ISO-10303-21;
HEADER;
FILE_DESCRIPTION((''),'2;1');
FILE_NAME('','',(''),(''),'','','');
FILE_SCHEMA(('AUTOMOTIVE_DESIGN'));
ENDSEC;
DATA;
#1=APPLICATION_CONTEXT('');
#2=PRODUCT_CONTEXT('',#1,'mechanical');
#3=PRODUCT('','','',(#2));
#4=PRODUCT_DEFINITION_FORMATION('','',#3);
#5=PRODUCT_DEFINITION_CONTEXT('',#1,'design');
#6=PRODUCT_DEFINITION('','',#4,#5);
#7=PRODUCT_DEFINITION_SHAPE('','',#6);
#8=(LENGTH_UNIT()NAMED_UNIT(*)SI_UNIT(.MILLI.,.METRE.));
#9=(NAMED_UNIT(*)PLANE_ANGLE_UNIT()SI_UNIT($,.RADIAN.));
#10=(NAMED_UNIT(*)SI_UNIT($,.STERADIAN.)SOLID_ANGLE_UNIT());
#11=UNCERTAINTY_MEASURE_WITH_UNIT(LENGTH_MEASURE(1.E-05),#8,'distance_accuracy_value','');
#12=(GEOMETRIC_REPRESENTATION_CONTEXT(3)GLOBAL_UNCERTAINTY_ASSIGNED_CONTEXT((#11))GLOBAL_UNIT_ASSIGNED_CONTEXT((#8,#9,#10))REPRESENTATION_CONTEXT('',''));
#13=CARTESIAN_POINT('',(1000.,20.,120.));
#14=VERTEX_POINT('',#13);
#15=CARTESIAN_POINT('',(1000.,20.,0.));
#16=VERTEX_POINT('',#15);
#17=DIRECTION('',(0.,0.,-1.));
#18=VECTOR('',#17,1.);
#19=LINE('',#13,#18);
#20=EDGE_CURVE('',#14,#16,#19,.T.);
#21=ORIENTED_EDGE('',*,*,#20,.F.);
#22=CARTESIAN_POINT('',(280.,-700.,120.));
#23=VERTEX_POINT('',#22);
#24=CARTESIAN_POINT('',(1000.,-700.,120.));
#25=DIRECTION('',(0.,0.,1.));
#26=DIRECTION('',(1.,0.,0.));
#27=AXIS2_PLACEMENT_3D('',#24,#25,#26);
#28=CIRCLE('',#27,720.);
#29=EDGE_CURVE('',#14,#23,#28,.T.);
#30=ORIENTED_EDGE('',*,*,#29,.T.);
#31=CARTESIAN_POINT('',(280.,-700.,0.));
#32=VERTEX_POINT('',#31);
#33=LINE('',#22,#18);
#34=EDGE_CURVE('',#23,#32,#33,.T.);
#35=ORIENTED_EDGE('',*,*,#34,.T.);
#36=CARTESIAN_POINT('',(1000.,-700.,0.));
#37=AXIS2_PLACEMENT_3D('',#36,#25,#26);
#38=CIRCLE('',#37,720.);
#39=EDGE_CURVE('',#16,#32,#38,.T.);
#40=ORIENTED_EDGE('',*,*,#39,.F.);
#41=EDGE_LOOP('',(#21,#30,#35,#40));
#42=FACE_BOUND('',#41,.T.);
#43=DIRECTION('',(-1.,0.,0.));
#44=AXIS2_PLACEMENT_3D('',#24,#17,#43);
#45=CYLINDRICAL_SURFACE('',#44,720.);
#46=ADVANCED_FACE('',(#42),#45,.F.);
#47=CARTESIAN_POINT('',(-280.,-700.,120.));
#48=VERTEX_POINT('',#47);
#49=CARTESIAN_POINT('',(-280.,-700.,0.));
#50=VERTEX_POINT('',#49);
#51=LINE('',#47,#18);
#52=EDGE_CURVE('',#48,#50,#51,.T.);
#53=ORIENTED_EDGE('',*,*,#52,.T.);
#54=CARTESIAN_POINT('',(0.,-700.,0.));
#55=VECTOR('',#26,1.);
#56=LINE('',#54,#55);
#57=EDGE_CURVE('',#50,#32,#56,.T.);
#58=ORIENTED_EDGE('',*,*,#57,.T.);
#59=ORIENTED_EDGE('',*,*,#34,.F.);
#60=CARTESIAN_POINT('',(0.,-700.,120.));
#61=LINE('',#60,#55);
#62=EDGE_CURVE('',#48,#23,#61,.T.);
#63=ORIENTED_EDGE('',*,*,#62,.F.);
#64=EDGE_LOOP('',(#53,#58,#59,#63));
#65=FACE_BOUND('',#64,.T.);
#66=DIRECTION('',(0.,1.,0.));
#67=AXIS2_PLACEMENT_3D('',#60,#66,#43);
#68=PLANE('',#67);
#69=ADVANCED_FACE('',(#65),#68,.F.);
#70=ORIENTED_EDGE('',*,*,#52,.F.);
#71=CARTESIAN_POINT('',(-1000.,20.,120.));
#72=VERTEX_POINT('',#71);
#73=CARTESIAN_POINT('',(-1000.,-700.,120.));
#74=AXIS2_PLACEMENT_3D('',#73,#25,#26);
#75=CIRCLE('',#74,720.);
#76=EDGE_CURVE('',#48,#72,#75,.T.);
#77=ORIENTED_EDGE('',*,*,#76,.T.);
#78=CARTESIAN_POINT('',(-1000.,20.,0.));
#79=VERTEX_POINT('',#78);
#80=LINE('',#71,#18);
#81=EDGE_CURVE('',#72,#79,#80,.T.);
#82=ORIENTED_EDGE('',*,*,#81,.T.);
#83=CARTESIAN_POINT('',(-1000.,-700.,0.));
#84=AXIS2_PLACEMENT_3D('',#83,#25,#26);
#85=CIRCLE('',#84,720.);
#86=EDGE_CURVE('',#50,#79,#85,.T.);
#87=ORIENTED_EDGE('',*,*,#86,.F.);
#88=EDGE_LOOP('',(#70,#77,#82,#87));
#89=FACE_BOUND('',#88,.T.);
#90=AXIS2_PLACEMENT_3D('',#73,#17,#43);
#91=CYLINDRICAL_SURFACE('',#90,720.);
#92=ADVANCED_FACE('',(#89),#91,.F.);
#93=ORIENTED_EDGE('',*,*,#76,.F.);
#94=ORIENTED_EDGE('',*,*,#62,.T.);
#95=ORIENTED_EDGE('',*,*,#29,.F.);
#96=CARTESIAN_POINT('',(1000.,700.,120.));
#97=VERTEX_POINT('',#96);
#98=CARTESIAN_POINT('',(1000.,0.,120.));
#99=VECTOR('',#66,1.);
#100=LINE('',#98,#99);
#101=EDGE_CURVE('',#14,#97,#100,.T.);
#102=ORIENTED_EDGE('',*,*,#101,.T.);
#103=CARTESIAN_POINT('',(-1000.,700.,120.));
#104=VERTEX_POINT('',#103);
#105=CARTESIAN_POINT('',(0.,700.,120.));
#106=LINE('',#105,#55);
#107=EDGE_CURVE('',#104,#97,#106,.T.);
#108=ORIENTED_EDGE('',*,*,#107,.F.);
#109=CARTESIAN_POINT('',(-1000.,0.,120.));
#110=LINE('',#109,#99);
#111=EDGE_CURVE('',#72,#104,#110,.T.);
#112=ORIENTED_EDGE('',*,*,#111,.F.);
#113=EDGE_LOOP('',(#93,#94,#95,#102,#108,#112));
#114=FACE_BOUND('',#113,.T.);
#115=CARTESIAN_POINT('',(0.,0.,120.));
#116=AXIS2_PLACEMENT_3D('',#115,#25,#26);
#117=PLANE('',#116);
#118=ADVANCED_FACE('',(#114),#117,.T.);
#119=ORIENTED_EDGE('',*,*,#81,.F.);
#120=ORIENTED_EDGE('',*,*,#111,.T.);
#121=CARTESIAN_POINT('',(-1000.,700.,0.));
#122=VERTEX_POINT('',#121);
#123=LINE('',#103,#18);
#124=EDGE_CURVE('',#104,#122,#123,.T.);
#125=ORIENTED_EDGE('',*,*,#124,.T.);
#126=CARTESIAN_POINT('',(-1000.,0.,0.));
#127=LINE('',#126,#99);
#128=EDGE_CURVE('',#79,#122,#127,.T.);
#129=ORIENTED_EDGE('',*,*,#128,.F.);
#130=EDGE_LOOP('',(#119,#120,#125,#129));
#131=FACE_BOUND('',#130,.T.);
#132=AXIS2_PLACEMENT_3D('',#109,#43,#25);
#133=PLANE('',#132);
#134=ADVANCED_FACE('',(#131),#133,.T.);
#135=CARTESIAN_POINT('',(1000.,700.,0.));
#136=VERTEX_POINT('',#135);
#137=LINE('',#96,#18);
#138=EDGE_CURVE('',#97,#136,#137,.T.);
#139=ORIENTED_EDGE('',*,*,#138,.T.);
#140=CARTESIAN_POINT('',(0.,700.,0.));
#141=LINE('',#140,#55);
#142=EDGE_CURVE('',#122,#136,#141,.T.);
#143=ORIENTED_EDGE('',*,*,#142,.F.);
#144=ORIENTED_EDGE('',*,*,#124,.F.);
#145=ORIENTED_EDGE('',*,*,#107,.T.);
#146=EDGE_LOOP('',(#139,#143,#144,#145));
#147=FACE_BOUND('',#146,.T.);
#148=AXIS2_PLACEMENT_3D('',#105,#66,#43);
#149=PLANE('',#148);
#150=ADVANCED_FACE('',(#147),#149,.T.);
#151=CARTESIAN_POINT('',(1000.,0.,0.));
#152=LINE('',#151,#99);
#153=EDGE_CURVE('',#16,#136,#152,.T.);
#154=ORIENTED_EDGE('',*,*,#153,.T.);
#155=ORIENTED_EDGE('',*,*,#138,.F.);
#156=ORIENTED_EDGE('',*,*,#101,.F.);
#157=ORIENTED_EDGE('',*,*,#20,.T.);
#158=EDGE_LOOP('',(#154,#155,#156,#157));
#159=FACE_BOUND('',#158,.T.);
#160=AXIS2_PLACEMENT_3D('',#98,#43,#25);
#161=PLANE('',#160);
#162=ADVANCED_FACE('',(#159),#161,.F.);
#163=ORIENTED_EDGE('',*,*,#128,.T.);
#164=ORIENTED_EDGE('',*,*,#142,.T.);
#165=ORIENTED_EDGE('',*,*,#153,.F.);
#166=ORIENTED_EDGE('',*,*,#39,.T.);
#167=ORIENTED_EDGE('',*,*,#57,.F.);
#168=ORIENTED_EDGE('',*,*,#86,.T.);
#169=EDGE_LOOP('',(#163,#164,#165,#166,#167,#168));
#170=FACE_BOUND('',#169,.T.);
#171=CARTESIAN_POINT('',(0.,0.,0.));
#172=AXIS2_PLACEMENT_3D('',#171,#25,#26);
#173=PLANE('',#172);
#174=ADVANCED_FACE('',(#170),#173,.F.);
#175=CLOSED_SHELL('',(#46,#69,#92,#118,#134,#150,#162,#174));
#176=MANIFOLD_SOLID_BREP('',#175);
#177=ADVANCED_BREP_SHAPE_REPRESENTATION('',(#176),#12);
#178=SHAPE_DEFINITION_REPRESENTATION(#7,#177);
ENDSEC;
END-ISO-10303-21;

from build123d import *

# Parameters (mm, degrees)
BOSS_EXTRUDE1_DEPTH = 120


with BuildPart() as part:
    # Sketch1 → Boss-Extrude1 (new body)
    with BuildSketch(Plane.XY):
        with BuildLine():
            ThreePointArc((-1000, 20), (-490.883117546, -190.883117546), (-280, -700))
            Line((-280, -700), (280, -700))
            ThreePointArc((280, -700), (490.883117546, -190.883117546), (1000, 20))
            Line((1000, 20), (1000, 700))
            Line((1000, 700), (-1000, 700))
            Line((-1000, 700), (-1000, 20))
        make_face()
    extrude(amount=BOSS_EXTRUDE1_DEPTH)


solid = part.part
